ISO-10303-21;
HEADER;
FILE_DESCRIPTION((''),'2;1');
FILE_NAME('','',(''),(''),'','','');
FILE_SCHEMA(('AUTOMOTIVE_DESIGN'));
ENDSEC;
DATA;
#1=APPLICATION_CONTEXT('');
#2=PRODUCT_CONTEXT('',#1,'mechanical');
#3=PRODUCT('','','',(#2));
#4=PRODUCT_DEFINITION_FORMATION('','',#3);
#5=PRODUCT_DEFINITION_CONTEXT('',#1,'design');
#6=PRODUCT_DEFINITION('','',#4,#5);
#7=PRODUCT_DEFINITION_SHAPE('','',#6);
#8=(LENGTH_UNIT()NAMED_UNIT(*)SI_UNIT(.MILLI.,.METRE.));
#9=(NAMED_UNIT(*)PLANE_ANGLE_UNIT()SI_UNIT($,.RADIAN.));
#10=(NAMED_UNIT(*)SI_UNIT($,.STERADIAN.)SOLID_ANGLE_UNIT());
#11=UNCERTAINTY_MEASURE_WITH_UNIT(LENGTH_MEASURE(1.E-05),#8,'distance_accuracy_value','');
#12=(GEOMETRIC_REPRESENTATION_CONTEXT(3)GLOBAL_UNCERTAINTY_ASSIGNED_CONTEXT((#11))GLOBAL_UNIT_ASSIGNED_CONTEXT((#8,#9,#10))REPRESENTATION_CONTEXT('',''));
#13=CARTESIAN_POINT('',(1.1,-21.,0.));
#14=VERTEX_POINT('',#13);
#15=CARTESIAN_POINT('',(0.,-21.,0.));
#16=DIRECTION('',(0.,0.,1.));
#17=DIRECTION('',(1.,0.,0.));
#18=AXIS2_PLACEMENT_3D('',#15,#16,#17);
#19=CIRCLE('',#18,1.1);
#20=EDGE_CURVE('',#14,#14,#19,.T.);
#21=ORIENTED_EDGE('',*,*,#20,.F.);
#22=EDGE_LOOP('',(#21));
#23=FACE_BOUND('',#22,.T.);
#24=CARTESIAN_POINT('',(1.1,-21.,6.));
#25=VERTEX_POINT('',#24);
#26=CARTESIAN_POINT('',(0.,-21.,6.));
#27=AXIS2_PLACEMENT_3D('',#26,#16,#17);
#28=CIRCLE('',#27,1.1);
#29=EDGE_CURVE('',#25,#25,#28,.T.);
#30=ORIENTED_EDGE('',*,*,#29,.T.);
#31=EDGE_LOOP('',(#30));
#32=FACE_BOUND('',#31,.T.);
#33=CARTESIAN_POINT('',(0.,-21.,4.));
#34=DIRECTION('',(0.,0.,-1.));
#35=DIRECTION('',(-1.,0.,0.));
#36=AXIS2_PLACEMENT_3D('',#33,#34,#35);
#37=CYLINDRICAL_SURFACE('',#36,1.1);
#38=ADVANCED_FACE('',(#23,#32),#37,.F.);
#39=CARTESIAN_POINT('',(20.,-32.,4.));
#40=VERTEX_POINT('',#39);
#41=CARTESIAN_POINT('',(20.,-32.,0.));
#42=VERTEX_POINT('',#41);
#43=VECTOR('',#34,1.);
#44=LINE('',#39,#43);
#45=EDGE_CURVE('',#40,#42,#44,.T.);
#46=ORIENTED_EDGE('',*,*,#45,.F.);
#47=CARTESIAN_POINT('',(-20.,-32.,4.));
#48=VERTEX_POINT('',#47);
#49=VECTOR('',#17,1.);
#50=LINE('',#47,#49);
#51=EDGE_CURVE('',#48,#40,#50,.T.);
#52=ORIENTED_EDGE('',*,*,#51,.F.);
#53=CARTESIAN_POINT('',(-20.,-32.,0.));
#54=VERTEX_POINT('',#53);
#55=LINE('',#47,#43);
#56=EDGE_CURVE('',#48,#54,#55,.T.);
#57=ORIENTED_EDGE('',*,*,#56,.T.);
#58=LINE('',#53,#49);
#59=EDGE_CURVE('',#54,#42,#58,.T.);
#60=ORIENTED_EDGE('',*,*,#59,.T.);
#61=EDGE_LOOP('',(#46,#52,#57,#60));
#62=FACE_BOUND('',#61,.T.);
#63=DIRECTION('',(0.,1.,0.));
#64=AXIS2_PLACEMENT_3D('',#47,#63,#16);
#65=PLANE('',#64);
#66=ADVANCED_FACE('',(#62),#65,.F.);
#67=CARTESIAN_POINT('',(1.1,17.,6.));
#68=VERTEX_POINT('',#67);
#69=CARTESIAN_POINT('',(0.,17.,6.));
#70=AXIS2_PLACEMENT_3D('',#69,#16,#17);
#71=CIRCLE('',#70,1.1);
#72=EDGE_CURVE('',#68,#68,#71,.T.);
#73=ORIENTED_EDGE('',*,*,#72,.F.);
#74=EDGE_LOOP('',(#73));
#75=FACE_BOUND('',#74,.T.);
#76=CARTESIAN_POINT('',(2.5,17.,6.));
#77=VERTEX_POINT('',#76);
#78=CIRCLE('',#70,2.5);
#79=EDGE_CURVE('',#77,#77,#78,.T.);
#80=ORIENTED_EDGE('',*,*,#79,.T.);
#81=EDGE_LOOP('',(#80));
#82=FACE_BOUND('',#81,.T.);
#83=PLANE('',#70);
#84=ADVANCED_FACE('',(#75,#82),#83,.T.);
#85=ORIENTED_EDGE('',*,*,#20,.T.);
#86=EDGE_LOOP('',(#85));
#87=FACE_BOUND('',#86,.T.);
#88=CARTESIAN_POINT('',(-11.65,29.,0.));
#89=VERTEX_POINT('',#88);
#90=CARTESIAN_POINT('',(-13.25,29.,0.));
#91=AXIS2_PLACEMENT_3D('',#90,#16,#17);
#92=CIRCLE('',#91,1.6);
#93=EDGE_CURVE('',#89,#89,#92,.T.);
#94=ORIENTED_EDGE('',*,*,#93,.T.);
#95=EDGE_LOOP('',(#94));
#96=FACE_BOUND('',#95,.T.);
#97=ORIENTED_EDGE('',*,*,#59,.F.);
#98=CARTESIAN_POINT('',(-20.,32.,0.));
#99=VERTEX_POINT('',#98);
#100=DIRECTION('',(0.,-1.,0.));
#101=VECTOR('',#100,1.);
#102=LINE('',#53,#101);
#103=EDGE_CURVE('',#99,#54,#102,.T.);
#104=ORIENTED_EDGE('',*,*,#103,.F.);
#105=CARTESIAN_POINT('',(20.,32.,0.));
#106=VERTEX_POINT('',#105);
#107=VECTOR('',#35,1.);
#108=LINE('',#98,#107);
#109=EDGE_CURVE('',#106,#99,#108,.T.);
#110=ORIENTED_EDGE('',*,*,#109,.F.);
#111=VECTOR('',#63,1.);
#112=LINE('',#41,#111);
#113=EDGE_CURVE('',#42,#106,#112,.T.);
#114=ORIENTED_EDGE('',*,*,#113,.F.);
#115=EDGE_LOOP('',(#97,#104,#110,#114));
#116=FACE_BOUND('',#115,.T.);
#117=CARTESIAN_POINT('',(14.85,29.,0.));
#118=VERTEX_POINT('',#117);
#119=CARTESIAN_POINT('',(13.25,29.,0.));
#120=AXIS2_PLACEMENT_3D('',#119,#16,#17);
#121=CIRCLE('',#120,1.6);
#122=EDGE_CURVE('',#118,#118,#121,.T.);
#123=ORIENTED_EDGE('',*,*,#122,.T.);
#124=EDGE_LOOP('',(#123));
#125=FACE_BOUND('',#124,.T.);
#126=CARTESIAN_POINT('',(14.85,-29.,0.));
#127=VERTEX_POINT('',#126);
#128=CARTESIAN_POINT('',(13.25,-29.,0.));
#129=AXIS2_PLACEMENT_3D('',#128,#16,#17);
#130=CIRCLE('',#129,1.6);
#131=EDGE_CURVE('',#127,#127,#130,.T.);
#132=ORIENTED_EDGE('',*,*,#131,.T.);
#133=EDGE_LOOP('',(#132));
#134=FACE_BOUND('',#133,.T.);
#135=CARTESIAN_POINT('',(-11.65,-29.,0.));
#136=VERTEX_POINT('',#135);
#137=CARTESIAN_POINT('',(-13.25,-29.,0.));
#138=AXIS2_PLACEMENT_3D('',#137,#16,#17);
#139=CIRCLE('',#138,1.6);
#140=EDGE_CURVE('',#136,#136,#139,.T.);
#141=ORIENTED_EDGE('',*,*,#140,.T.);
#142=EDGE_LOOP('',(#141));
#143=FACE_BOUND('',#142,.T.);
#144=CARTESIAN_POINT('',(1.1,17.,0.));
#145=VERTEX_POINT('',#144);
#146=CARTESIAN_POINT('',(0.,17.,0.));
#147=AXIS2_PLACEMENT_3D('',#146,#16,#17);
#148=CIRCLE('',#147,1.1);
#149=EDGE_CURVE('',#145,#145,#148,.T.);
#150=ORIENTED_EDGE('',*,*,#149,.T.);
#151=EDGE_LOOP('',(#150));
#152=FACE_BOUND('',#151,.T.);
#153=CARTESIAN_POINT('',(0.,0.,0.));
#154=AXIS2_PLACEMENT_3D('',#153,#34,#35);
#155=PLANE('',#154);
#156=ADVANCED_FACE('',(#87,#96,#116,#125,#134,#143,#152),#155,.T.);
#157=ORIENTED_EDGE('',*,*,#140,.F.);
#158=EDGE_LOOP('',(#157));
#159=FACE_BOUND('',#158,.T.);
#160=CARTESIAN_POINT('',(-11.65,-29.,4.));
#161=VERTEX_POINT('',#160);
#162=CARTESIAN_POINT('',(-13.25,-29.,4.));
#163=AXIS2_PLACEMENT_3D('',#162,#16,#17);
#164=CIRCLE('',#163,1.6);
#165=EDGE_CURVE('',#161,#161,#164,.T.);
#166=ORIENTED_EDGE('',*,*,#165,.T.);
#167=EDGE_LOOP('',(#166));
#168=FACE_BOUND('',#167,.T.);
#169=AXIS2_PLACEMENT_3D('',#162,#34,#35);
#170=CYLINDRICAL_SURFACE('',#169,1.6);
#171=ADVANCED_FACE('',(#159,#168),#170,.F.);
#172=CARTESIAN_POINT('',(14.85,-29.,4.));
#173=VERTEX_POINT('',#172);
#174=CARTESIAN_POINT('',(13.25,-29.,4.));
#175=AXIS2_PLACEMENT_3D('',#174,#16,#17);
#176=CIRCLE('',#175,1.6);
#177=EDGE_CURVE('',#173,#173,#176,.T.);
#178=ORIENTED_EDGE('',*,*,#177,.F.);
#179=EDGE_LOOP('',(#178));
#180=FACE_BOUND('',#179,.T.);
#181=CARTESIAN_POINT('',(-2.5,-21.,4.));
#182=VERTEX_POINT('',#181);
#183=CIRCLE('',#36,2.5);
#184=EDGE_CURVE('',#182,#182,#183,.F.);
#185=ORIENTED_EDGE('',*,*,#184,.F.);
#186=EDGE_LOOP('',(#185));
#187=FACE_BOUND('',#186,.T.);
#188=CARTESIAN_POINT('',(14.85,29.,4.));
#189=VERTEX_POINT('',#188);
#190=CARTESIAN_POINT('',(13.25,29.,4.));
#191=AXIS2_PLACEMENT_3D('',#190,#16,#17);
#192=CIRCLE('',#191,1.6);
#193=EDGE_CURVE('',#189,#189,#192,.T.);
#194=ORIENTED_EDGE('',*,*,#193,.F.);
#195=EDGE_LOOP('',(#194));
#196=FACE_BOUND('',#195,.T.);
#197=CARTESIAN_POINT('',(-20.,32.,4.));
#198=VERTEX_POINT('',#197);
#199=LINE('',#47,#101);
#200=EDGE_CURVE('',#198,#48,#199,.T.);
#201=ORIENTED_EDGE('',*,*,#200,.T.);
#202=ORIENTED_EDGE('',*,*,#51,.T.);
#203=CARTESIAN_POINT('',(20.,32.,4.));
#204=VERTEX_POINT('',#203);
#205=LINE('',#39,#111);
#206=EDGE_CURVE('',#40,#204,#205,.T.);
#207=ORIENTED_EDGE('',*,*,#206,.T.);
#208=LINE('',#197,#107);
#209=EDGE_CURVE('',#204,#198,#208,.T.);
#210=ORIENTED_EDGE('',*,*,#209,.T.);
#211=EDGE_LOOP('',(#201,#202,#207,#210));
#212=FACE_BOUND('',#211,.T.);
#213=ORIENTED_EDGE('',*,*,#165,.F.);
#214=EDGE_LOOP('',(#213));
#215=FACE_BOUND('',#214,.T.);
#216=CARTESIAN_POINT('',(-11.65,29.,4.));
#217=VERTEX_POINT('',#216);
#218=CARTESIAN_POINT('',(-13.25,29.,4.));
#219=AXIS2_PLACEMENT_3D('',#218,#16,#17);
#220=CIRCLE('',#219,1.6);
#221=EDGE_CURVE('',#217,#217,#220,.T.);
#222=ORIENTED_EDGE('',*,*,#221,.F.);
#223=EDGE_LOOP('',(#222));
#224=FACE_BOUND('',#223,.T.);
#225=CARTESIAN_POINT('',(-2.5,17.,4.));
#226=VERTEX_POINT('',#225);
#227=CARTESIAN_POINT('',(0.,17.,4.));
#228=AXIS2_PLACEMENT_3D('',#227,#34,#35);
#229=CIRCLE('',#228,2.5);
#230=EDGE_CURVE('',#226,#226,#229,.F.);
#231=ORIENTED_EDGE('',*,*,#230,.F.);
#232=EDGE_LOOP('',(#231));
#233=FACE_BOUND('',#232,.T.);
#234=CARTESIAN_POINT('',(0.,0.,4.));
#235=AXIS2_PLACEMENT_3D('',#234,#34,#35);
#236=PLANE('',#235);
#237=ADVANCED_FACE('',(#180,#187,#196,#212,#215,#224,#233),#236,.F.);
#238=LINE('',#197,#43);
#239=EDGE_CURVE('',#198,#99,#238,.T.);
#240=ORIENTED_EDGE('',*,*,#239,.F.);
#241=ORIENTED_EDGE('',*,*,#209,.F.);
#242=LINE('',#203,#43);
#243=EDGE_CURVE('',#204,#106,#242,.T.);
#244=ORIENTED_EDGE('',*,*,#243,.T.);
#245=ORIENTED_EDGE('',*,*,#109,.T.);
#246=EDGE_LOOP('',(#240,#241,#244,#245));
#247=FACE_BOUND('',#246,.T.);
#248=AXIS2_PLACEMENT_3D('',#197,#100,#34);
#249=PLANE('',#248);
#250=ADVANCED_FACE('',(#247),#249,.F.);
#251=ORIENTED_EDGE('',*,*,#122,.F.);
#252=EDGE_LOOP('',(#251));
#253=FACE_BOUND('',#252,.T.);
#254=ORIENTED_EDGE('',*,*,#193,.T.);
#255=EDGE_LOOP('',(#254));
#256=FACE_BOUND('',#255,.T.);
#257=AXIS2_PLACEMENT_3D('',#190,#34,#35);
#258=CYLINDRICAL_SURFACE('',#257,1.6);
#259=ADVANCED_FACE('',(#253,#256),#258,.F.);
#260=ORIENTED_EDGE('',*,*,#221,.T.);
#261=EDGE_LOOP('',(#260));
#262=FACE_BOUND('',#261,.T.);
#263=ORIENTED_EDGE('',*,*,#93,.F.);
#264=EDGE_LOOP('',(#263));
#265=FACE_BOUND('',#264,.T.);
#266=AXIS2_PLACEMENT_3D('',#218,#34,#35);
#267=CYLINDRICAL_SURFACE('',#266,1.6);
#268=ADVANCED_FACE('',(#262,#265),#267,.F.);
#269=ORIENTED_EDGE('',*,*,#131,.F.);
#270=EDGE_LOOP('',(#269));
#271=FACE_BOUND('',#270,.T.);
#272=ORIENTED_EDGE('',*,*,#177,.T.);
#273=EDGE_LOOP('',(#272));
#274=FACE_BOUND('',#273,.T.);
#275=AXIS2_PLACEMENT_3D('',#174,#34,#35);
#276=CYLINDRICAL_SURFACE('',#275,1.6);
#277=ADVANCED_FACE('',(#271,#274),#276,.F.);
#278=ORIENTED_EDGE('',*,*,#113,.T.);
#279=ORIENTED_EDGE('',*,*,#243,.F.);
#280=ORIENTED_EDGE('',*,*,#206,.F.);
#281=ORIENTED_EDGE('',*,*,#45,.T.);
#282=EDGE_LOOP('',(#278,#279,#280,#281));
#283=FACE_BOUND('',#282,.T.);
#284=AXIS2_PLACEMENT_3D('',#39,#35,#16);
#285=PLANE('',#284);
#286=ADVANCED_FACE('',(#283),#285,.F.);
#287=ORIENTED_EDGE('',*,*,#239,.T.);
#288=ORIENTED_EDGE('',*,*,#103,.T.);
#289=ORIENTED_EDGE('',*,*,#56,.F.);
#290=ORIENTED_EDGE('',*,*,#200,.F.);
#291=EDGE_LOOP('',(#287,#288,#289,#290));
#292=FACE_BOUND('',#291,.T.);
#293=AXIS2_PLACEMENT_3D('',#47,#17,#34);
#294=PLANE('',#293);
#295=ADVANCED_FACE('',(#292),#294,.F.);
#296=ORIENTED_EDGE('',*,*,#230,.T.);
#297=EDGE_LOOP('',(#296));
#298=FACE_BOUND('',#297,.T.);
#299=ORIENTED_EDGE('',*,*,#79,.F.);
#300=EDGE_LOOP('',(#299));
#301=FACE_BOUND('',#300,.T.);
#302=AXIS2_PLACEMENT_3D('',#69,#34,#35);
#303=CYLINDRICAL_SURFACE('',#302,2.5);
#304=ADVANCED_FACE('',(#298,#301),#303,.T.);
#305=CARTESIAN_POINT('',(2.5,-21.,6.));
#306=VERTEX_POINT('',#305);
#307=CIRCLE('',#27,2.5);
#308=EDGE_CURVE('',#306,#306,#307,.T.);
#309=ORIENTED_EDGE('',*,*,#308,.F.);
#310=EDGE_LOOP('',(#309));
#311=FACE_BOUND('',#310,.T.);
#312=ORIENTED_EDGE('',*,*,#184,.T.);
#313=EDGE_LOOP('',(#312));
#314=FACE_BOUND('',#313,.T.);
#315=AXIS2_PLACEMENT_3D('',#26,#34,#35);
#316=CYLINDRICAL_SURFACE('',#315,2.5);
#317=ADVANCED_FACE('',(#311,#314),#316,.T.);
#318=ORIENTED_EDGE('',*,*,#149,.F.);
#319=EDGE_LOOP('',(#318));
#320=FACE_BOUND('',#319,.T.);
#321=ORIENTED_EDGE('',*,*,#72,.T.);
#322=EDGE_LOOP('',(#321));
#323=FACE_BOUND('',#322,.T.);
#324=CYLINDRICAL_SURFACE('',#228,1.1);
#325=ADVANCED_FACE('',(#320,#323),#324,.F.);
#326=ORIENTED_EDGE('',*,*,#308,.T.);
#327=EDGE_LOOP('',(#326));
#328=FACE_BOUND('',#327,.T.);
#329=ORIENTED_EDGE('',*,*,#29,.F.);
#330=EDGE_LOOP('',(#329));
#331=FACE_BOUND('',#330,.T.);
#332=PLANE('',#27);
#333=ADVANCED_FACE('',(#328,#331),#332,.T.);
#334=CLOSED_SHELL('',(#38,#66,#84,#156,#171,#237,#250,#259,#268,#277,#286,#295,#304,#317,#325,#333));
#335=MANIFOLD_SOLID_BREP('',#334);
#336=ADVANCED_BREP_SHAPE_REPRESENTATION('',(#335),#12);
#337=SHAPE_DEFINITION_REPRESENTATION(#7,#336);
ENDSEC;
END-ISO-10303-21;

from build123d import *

# Parameters (mm, degrees)
SKETCH_1_W      = 40
SKETCH_1_H      = 64
SKETCH_1_R      = 1.6
SKETCH_1_R_2    = 1.1
EXTRUDE_1_DEPTH = 4
SKETCH_2_R      = 2.5
SKETCH_2_R_2    = 1.1
EXTRUDE_2_DEPTH = 2


with BuildPart() as part:
    # Эскиз1 → Бобышка-Вытянуть1 (new body)
    with BuildSketch(Plane.XY):
        Rectangle(SKETCH_1_W, SKETCH_1_H)
        with Locations((-13.25, 29)):
            Circle(SKETCH_1_R, mode=Mode.SUBTRACT)
        with Locations((13.25, 29)):
            Circle(SKETCH_1_R, mode=Mode.SUBTRACT)
        with Locations((-13.25, -29)):
            Circle(SKETCH_1_R, mode=Mode.SUBTRACT)
        with Locations((13.25, -29)):
            Circle(SKETCH_1_R, mode=Mode.SUBTRACT)
        with Locations((0, -21)):
            Circle(SKETCH_1_R_2, mode=Mode.SUBTRACT)
        with Locations((0, 17)):
            Circle(SKETCH_1_R_2, mode=Mode.SUBTRACT)
    extrude(amount=EXTRUDE_1_DEPTH)

    # Эскиз2 → Бобышка-Вытянуть2 (add)
    # profile 1 of 2: a face of its own
    with BuildSketch(Plane.XY.offset(4)):
        with Locations(Location((0, 17, 0), (0, 0, 180))):
            Circle(SKETCH_2_R)
        with Locations((0, 17)):
            Circle(SKETCH_2_R_2, mode=Mode.SUBTRACT)
    # profile 2 of 2: a face of its own
    with BuildSketch(Plane.XY.offset(4)):
        with Locations(Location((0, -21, 0), (0, 0, 180))):
            Circle(SKETCH_2_R)
        with Locations((0, -21)):
            Circle(SKETCH_2_R_2, mode=Mode.SUBTRACT)
    extrude(amount=EXTRUDE_2_DEPTH)


solid = part.part
